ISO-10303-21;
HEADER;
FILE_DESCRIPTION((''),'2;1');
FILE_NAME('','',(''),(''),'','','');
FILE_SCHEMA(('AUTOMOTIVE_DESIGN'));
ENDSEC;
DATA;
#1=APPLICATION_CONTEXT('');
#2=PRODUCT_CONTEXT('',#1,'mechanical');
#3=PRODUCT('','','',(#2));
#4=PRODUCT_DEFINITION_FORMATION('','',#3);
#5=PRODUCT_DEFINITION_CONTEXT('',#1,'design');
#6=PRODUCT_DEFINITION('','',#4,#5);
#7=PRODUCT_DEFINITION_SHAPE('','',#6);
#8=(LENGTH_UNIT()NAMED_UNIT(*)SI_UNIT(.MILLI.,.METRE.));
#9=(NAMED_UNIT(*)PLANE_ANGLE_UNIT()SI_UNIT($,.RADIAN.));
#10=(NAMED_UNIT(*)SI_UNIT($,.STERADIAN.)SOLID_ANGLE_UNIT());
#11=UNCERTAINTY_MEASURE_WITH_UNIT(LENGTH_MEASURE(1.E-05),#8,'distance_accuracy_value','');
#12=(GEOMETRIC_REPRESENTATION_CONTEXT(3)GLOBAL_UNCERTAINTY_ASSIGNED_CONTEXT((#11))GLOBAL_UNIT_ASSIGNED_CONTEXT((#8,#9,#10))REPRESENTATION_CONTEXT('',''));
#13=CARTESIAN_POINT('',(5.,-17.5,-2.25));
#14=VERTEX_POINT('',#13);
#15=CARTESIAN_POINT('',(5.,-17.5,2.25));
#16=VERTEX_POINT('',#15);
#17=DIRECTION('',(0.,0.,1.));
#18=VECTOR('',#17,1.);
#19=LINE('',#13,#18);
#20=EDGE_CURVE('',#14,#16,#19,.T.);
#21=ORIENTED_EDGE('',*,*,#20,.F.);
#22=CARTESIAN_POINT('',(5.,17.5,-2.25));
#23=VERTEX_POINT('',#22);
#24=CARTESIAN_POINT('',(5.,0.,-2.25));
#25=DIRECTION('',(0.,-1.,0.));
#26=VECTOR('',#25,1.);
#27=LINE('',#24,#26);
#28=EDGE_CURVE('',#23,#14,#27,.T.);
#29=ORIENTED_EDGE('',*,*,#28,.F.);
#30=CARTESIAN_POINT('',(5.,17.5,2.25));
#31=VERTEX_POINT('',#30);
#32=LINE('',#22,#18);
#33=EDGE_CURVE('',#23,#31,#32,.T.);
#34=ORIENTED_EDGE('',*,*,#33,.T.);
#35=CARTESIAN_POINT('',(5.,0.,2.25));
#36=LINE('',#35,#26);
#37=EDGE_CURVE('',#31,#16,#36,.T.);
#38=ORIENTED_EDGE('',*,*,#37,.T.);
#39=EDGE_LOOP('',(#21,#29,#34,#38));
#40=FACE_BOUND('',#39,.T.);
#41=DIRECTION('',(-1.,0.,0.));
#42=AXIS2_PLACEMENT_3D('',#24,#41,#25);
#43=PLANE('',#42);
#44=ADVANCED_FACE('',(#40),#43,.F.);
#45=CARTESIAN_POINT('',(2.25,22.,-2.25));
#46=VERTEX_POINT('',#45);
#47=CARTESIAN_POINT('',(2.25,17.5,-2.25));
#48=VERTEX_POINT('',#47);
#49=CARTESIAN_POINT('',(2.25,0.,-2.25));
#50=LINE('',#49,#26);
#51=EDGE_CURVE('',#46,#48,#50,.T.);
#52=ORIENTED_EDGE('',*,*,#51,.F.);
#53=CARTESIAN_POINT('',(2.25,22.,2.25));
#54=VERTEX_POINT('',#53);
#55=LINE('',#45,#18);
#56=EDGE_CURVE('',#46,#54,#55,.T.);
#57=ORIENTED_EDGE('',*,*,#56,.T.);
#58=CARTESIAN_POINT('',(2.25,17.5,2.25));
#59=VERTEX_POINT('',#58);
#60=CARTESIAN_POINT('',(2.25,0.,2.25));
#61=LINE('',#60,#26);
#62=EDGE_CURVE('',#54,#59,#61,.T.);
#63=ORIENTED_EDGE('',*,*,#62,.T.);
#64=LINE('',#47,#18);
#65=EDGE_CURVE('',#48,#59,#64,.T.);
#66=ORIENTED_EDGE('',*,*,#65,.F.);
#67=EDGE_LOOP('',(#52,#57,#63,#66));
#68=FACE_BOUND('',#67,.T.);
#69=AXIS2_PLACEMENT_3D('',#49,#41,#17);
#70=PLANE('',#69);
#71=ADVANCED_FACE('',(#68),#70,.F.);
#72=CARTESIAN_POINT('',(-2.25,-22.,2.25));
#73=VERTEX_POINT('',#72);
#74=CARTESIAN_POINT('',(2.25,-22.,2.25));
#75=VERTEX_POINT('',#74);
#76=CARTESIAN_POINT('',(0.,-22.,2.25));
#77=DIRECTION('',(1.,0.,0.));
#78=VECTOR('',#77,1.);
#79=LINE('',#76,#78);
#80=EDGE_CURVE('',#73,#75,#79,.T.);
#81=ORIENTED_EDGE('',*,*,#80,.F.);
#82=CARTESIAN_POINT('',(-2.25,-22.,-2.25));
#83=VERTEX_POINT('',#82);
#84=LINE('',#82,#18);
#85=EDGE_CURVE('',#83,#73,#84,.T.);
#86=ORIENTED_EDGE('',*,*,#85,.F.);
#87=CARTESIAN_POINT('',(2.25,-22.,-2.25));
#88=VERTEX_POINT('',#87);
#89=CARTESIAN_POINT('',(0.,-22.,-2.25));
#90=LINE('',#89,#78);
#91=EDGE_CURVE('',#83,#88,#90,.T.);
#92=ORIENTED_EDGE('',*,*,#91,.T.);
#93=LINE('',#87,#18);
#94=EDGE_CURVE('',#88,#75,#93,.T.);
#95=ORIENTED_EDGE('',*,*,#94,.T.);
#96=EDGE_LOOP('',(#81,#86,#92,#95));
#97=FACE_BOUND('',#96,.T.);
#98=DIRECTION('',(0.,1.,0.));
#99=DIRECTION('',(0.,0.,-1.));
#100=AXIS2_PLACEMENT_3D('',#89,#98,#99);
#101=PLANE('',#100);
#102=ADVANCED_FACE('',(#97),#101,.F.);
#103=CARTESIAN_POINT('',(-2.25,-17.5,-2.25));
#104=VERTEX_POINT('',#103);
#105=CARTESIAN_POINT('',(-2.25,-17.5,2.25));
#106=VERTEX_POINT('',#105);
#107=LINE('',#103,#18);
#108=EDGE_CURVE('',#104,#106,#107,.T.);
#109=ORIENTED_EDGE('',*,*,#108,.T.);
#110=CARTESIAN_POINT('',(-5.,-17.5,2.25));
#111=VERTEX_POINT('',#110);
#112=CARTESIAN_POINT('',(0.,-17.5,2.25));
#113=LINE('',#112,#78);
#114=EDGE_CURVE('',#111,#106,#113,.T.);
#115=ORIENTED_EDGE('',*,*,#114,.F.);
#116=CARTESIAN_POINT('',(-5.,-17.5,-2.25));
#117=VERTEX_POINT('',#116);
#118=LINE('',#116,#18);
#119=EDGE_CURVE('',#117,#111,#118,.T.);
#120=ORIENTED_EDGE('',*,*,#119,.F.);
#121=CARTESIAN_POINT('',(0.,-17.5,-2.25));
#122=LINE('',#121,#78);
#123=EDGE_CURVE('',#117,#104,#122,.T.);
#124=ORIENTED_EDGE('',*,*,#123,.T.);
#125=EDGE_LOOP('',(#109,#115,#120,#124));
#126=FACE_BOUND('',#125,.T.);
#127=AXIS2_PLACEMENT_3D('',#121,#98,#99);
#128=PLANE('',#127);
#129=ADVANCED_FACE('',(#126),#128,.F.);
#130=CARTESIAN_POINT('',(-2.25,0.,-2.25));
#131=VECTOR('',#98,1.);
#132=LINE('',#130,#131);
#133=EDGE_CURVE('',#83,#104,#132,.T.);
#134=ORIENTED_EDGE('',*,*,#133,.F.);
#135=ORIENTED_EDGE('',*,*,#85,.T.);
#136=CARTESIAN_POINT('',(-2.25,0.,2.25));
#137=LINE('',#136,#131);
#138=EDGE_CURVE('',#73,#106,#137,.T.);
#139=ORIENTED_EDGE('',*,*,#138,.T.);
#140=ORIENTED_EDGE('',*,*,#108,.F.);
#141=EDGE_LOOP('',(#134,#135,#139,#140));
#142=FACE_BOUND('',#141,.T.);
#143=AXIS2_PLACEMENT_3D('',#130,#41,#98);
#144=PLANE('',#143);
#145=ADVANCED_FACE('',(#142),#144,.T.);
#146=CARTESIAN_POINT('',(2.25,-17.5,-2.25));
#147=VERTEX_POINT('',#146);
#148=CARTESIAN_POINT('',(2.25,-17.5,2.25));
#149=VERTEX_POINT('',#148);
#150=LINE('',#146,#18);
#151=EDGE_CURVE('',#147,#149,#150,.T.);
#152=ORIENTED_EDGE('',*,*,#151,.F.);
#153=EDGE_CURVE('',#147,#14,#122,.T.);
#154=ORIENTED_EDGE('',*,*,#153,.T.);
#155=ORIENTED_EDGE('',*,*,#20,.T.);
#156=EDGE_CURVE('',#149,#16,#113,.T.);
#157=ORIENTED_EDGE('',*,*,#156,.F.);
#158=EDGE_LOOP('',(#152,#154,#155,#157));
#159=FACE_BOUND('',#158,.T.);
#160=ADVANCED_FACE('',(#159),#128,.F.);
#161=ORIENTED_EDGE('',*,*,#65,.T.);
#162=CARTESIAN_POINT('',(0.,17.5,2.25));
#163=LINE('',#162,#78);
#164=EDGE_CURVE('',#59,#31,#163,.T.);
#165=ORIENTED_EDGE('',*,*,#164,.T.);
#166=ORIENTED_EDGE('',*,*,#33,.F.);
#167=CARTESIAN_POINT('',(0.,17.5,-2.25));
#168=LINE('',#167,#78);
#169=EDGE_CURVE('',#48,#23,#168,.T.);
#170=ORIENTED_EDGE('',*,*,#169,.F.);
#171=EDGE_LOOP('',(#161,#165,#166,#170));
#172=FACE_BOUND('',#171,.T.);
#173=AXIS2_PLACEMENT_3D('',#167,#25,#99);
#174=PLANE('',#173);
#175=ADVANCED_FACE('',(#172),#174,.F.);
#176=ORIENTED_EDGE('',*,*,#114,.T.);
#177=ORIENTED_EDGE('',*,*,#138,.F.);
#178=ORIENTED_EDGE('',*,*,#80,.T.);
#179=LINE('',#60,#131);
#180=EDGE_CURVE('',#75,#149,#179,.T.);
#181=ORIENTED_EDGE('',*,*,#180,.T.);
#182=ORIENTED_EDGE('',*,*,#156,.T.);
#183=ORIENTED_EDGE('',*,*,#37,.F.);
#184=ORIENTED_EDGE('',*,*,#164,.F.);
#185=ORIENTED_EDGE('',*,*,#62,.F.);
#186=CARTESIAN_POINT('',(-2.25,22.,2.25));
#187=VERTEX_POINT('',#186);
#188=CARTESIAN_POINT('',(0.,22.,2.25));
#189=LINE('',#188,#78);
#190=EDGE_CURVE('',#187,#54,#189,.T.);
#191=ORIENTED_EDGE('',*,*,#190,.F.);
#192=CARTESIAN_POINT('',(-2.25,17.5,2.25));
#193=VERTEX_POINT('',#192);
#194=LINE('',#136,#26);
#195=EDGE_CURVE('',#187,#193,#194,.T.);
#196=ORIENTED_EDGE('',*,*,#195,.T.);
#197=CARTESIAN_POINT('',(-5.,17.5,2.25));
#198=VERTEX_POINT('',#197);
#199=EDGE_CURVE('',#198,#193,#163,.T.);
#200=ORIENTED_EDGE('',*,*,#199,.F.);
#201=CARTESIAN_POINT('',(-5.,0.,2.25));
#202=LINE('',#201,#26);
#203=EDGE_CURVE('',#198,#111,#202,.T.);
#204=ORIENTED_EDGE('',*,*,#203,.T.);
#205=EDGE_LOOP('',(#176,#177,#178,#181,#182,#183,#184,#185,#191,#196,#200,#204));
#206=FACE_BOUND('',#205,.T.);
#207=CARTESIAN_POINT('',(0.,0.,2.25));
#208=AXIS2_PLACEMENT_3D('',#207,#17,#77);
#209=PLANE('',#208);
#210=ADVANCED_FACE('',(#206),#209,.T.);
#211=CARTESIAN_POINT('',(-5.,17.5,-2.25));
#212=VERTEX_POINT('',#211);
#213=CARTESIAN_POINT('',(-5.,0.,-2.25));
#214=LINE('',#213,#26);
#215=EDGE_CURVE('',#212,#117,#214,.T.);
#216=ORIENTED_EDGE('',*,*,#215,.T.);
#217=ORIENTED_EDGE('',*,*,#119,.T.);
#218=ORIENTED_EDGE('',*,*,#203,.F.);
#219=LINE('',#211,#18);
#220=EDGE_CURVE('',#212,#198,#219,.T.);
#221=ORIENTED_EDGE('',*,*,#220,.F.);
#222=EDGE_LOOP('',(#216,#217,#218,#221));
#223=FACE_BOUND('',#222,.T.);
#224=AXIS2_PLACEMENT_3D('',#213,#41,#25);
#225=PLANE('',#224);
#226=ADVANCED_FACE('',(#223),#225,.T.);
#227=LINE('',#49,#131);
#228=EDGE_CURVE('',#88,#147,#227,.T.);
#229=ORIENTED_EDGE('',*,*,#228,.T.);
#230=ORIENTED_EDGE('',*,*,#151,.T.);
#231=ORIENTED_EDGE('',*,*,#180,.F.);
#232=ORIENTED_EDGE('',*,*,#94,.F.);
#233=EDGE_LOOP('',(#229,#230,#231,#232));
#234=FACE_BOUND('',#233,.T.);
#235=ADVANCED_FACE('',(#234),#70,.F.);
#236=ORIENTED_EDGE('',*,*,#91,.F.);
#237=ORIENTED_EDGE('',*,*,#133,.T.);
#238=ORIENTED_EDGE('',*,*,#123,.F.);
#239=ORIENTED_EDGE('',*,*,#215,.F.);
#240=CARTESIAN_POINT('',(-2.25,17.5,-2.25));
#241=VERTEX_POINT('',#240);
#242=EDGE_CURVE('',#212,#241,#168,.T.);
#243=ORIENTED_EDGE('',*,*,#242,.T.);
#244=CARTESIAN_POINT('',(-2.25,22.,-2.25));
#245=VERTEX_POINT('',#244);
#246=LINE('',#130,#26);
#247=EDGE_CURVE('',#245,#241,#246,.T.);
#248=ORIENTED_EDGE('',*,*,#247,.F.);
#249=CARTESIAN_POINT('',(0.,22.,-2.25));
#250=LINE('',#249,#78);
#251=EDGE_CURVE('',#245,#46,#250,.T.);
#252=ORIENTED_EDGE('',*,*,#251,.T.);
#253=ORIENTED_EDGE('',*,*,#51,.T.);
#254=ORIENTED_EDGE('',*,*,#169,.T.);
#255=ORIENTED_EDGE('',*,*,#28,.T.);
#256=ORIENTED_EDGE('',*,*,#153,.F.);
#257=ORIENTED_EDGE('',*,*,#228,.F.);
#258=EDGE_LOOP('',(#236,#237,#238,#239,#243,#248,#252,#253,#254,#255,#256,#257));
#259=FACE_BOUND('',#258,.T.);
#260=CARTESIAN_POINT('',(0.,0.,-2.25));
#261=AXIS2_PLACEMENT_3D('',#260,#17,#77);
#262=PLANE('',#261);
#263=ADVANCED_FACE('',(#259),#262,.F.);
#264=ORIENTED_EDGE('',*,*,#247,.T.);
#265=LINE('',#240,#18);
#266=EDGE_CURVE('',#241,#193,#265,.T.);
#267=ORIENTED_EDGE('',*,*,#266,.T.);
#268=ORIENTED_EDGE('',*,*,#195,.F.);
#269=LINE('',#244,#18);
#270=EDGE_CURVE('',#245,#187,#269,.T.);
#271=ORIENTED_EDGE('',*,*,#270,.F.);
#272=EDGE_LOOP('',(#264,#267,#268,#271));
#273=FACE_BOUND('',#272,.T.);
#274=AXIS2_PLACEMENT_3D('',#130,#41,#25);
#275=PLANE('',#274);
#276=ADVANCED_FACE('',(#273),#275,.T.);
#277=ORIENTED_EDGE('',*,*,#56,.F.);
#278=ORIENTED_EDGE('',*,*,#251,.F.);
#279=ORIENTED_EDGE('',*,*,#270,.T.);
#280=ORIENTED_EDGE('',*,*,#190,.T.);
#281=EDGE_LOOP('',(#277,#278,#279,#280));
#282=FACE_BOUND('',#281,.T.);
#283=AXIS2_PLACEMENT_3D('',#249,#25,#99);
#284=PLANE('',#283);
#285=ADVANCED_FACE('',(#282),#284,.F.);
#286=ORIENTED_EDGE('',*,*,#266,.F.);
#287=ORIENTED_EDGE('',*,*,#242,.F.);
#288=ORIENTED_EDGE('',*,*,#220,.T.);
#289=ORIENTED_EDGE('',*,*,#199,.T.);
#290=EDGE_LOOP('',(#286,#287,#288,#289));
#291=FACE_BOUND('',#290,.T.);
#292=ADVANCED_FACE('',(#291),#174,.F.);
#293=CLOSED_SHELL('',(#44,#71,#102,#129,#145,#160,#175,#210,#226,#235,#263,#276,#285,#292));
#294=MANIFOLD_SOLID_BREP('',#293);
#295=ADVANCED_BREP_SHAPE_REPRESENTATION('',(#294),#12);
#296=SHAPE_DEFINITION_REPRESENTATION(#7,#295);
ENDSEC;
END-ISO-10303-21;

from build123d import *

# Parameters (mm, degrees)
SKETCH2_W           = 4.5
SKETCH2_H           = 4.5
SKETCH2_W_2         = 10
SKETCH2_H_2         = 17.5
BOSS_EXTRUDE1_DEPTH = 2.25


with BuildPart() as part:
    # Sketch2 → Boss-Extrude1 (new body, symmetric)
    with BuildSketch(Plane.XY):
        with Locations((0, 19.75)):
            Rectangle(SKETCH2_W, SKETCH2_H)
        with Locations((0, 8.75)):
            Rectangle(SKETCH2_W_2, SKETCH2_H_2)
    extrude(amount=BOSS_EXTRUDE1_DEPTH, both=True)

    # Mirror1: part across plane


with BuildPart() as part_1:
    add(part.part)
    add(part.part.mirror(Plane.ZX))


solid = part_1.part
